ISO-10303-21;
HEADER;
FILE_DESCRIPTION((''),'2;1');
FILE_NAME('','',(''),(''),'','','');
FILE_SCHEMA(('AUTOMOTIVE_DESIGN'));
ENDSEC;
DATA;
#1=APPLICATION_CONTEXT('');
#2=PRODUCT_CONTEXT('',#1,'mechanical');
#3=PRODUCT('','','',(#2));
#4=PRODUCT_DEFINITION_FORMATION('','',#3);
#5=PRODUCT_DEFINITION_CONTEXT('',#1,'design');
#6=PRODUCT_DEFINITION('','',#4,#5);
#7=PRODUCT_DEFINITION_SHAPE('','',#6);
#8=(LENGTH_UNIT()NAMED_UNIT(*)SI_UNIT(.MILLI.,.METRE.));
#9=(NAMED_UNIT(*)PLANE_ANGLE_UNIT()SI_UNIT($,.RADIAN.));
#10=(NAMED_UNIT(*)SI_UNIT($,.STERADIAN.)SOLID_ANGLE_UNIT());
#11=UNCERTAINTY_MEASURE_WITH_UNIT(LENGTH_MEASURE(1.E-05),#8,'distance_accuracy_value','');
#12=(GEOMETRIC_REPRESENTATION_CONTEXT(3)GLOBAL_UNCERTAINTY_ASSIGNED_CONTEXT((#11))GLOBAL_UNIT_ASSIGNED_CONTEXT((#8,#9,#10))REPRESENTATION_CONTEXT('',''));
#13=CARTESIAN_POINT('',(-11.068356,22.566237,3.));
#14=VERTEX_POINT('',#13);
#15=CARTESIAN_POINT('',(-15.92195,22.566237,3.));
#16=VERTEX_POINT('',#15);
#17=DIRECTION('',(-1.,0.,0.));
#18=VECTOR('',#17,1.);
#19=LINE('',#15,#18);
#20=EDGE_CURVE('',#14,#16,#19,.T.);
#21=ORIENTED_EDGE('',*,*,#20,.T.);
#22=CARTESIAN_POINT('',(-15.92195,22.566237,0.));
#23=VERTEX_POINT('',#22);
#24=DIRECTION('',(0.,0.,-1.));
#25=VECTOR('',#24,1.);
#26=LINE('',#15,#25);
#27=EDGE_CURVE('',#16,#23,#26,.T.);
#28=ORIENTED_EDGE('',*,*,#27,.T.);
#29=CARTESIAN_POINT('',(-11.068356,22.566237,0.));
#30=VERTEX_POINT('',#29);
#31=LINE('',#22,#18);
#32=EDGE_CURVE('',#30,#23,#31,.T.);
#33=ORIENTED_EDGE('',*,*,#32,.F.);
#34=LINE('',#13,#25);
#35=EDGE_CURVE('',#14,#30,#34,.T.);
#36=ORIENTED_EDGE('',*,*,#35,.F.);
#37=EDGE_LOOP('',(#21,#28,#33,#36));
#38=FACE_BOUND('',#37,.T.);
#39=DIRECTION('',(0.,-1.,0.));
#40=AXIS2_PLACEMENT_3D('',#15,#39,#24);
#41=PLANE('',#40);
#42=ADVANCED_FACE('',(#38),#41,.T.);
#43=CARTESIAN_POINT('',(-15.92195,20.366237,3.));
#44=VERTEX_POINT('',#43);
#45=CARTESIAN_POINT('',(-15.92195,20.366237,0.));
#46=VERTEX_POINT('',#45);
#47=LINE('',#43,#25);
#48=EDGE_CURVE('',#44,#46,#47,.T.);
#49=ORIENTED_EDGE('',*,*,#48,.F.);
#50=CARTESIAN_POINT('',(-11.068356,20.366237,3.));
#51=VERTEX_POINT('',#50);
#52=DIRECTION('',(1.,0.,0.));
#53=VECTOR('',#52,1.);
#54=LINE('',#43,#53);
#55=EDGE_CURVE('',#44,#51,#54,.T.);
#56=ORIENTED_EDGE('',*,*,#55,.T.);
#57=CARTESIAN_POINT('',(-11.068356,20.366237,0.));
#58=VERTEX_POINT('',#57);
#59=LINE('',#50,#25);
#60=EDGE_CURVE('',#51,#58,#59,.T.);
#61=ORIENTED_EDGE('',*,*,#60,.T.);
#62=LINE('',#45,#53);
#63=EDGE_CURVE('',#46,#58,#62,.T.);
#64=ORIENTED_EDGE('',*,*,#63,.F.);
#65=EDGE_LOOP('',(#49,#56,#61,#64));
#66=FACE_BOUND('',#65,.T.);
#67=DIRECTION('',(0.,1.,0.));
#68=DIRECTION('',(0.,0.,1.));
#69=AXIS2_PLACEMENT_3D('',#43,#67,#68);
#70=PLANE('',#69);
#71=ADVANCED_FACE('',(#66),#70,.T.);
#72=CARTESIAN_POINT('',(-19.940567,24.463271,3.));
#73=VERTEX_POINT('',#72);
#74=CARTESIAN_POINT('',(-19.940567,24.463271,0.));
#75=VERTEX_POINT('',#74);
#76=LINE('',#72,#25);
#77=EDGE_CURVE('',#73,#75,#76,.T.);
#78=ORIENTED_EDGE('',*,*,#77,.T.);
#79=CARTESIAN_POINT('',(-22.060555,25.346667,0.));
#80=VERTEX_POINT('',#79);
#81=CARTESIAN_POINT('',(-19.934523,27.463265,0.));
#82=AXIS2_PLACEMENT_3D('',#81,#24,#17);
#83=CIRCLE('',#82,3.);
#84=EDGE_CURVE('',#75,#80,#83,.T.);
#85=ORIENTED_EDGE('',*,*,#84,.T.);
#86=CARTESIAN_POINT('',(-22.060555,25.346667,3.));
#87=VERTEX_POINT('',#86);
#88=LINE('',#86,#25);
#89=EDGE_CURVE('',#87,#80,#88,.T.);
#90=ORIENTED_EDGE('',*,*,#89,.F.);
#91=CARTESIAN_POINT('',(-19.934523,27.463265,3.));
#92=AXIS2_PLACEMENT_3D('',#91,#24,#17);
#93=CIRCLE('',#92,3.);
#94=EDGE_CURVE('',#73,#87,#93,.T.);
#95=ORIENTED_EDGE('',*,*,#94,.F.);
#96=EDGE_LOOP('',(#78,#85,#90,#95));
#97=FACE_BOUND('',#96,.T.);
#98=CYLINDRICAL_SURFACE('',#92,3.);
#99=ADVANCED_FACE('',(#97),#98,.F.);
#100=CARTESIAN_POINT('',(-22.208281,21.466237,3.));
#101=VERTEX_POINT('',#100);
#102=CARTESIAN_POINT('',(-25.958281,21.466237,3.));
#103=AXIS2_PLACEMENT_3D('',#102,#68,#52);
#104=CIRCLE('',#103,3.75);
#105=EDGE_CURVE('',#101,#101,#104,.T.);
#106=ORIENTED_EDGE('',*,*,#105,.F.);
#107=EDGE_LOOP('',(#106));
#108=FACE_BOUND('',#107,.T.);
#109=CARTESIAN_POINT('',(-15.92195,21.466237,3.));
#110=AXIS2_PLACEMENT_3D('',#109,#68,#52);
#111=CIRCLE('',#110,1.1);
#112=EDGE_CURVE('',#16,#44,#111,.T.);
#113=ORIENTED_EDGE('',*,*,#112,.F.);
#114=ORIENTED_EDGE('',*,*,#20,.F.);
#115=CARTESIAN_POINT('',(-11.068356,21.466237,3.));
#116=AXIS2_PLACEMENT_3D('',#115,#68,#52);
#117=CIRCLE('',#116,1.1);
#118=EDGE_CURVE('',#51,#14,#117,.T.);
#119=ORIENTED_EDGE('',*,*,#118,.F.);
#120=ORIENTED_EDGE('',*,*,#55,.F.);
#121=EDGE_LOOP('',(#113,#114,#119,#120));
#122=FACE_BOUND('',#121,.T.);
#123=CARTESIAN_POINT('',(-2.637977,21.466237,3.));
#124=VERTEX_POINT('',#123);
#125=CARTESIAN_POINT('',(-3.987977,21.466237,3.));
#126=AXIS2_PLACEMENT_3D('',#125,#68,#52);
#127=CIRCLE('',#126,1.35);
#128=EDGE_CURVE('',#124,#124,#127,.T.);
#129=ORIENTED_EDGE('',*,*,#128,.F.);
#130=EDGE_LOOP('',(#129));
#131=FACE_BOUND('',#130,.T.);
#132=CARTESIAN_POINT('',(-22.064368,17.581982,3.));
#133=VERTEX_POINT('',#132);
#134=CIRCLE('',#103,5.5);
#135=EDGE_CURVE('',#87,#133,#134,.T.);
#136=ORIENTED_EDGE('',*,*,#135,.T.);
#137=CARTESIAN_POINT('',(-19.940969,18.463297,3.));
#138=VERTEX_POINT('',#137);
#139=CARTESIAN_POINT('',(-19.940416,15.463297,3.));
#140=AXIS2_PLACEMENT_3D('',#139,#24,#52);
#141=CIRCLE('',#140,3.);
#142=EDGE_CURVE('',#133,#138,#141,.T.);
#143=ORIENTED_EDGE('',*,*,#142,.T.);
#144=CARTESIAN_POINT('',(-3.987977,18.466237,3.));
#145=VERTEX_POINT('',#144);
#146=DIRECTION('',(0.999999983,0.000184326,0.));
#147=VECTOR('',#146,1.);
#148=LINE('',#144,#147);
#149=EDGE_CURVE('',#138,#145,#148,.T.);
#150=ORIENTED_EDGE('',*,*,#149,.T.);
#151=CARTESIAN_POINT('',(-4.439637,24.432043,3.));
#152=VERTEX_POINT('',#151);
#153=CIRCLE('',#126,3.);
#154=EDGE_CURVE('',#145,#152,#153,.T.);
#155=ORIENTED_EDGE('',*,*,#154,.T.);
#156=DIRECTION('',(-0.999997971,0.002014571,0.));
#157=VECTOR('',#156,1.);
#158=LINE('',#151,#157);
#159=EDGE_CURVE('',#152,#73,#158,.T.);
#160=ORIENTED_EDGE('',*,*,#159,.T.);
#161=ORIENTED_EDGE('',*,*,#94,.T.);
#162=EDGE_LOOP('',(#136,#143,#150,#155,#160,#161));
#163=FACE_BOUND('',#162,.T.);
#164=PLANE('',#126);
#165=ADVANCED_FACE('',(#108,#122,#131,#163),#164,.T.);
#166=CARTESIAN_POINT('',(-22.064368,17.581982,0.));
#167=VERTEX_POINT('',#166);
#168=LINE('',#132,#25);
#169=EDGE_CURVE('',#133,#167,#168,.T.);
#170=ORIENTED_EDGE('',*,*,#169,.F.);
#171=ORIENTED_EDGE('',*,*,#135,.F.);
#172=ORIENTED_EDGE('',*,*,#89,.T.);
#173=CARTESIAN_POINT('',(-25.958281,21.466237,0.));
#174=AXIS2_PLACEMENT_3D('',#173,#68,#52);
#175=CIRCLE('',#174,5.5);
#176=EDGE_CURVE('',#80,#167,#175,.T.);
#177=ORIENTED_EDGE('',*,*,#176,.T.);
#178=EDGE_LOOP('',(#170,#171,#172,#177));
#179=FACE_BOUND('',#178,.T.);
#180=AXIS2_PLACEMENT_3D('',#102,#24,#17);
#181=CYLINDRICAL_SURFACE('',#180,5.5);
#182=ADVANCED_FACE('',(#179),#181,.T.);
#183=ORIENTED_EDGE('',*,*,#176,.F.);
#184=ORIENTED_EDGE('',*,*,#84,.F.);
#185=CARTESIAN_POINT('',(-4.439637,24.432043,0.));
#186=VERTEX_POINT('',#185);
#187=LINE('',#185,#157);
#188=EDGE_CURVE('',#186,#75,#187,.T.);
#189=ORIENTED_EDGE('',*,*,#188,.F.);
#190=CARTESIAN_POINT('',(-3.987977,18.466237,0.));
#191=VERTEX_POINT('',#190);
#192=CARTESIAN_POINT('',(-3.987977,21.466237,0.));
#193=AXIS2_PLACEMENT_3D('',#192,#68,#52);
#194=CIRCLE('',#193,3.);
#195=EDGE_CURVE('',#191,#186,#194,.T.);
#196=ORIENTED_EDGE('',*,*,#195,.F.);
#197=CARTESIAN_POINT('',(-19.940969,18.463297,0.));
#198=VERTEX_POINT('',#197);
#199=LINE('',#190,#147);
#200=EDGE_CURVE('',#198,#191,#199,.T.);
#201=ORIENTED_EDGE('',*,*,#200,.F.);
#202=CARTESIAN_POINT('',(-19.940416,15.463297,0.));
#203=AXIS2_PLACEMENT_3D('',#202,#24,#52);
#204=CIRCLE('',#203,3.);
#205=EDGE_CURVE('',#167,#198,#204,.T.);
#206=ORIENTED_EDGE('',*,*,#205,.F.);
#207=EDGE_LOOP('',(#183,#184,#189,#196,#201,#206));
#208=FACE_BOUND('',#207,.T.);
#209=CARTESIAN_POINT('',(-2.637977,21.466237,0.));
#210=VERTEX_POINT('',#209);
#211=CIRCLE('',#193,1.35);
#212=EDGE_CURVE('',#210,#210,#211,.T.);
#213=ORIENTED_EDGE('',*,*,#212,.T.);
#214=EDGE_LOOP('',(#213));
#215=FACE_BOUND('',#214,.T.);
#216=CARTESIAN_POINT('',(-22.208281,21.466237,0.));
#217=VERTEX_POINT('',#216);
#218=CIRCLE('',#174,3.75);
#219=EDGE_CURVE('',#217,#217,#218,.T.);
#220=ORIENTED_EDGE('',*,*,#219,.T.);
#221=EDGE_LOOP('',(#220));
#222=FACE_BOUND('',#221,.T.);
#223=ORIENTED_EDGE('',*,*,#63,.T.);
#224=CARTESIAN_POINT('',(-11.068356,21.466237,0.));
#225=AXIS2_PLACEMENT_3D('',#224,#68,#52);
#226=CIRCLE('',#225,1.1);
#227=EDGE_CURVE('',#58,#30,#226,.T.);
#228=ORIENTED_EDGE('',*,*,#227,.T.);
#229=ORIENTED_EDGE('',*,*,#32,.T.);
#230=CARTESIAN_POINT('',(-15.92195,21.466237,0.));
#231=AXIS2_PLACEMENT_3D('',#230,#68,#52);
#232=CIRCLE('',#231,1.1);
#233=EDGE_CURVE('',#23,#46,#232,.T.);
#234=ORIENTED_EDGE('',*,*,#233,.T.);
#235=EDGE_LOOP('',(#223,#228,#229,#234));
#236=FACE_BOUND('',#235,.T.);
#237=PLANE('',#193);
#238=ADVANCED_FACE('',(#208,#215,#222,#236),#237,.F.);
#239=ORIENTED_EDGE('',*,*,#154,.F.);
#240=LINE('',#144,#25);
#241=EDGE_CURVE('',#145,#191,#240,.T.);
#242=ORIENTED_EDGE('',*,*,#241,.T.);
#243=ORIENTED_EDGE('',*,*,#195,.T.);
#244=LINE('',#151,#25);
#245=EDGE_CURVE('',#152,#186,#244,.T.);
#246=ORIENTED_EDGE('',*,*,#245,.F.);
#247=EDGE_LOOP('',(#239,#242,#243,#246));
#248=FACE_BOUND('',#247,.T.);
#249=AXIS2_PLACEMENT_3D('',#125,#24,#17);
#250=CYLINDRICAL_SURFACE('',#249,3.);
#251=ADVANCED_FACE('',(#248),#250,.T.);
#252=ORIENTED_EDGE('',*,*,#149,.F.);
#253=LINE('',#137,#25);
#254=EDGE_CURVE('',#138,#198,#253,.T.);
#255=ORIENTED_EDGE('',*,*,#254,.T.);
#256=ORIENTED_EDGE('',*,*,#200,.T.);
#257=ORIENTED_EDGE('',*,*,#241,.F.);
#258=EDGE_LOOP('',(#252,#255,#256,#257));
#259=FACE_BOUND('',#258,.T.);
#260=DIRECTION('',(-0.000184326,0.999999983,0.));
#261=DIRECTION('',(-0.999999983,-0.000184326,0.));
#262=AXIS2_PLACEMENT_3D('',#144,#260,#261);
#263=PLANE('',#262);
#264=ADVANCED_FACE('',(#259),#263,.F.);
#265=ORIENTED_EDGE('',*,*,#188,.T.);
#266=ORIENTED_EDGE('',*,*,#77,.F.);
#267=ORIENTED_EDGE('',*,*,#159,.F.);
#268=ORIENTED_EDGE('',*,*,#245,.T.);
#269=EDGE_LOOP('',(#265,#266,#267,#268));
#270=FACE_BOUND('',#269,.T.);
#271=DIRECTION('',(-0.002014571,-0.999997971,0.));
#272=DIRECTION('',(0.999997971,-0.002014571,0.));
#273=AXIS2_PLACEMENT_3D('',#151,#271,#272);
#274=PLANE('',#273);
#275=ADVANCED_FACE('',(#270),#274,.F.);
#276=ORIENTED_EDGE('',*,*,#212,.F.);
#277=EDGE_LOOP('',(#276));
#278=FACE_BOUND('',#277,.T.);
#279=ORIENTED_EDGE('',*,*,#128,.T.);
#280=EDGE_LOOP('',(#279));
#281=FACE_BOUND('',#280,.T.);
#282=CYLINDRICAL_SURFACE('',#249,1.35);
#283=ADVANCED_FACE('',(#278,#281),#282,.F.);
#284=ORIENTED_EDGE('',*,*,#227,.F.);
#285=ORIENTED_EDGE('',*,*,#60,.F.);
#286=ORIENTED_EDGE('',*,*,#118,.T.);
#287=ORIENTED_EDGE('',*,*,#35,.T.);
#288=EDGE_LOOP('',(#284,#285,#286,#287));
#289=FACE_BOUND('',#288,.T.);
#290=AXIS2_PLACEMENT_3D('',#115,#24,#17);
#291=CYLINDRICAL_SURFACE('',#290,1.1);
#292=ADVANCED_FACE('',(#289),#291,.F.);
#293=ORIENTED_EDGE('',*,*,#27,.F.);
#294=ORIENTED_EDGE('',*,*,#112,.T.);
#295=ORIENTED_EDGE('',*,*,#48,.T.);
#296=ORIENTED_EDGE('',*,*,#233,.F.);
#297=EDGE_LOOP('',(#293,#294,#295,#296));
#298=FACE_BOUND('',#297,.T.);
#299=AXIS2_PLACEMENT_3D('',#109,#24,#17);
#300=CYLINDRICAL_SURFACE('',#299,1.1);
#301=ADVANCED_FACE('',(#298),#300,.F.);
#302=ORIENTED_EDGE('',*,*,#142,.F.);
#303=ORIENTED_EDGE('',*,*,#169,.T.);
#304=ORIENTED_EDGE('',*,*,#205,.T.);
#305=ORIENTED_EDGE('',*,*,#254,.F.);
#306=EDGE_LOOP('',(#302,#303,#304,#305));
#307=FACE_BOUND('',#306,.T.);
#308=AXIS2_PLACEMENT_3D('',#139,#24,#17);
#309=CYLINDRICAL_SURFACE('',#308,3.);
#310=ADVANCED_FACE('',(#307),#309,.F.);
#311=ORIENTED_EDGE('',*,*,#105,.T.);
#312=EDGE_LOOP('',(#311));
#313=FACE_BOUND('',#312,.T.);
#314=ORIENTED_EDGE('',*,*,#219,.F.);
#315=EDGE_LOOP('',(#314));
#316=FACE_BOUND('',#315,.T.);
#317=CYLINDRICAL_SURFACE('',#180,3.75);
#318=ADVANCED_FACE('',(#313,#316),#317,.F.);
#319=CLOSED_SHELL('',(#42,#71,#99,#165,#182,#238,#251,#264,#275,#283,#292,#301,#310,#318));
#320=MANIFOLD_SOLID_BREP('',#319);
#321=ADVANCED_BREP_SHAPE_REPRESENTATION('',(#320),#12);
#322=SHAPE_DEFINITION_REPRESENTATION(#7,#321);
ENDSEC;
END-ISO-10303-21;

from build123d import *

# Parameters (mm, degrees)
ESQUISSE6_R        = 1.35
ESQUISSE6_R_2      = 3.75
BOSS_EXTRU_6_DEPTH = 3


with BuildPart() as part:
    # Esquisse6 → Boss.-Extru.6 (new body)
    with BuildSketch(Plane.XY):
        with BuildLine():
            Line((-3.987977269, 18.466237455), (-19.940968623, 18.463296912))
            ThreePointArc((-19.940968623, 18.463296912), (-21.090441726, 18.234116339), (-22.064368184, 17.581981843))
            ThreePointArc((-22.064368184, 17.581981843), (-31.458280506, 21.468938246), (-22.060555312, 25.346666961))
            ThreePointArc((-22.060555312, 25.346666961), (-21.088444228, 24.694065374), (-19.940566739, 24.46327096))
            Line((-19.940566739, 24.46327096), (-4.439636922, 24.432043174))
            ThreePointArc((-4.439636922, 24.432043174), (-0.996538054, 21.692713553), (-3.987977269, 18.466237455))
        make_face()
        with Locations((-3.987977269, 21.466237455)):
            Circle(ESQUISSE6_R, mode=Mode.SUBTRACT)
        with Locations((-25.958281169, 21.466237455)):
            Circle(ESQUISSE6_R_2, mode=Mode.SUBTRACT)
        with BuildLine():
            Line((-15.92195018, 22.566237455), (-11.068355584, 22.566237455))
            ThreePointArc((-11.068355584, 22.566237455), (-9.968355584, 21.466237455), (-11.068355584, 20.366237455))
            Line((-11.068355584, 20.366237455), (-15.92195018, 20.366237455))
            ThreePointArc((-15.92195018, 20.366237455), (-17.02195018, 21.466237455), (-15.92195018, 22.566237455))
        make_face(mode=Mode.SUBTRACT)
    extrude(amount=BOSS_EXTRU_6_DEPTH)


solid = part.part
